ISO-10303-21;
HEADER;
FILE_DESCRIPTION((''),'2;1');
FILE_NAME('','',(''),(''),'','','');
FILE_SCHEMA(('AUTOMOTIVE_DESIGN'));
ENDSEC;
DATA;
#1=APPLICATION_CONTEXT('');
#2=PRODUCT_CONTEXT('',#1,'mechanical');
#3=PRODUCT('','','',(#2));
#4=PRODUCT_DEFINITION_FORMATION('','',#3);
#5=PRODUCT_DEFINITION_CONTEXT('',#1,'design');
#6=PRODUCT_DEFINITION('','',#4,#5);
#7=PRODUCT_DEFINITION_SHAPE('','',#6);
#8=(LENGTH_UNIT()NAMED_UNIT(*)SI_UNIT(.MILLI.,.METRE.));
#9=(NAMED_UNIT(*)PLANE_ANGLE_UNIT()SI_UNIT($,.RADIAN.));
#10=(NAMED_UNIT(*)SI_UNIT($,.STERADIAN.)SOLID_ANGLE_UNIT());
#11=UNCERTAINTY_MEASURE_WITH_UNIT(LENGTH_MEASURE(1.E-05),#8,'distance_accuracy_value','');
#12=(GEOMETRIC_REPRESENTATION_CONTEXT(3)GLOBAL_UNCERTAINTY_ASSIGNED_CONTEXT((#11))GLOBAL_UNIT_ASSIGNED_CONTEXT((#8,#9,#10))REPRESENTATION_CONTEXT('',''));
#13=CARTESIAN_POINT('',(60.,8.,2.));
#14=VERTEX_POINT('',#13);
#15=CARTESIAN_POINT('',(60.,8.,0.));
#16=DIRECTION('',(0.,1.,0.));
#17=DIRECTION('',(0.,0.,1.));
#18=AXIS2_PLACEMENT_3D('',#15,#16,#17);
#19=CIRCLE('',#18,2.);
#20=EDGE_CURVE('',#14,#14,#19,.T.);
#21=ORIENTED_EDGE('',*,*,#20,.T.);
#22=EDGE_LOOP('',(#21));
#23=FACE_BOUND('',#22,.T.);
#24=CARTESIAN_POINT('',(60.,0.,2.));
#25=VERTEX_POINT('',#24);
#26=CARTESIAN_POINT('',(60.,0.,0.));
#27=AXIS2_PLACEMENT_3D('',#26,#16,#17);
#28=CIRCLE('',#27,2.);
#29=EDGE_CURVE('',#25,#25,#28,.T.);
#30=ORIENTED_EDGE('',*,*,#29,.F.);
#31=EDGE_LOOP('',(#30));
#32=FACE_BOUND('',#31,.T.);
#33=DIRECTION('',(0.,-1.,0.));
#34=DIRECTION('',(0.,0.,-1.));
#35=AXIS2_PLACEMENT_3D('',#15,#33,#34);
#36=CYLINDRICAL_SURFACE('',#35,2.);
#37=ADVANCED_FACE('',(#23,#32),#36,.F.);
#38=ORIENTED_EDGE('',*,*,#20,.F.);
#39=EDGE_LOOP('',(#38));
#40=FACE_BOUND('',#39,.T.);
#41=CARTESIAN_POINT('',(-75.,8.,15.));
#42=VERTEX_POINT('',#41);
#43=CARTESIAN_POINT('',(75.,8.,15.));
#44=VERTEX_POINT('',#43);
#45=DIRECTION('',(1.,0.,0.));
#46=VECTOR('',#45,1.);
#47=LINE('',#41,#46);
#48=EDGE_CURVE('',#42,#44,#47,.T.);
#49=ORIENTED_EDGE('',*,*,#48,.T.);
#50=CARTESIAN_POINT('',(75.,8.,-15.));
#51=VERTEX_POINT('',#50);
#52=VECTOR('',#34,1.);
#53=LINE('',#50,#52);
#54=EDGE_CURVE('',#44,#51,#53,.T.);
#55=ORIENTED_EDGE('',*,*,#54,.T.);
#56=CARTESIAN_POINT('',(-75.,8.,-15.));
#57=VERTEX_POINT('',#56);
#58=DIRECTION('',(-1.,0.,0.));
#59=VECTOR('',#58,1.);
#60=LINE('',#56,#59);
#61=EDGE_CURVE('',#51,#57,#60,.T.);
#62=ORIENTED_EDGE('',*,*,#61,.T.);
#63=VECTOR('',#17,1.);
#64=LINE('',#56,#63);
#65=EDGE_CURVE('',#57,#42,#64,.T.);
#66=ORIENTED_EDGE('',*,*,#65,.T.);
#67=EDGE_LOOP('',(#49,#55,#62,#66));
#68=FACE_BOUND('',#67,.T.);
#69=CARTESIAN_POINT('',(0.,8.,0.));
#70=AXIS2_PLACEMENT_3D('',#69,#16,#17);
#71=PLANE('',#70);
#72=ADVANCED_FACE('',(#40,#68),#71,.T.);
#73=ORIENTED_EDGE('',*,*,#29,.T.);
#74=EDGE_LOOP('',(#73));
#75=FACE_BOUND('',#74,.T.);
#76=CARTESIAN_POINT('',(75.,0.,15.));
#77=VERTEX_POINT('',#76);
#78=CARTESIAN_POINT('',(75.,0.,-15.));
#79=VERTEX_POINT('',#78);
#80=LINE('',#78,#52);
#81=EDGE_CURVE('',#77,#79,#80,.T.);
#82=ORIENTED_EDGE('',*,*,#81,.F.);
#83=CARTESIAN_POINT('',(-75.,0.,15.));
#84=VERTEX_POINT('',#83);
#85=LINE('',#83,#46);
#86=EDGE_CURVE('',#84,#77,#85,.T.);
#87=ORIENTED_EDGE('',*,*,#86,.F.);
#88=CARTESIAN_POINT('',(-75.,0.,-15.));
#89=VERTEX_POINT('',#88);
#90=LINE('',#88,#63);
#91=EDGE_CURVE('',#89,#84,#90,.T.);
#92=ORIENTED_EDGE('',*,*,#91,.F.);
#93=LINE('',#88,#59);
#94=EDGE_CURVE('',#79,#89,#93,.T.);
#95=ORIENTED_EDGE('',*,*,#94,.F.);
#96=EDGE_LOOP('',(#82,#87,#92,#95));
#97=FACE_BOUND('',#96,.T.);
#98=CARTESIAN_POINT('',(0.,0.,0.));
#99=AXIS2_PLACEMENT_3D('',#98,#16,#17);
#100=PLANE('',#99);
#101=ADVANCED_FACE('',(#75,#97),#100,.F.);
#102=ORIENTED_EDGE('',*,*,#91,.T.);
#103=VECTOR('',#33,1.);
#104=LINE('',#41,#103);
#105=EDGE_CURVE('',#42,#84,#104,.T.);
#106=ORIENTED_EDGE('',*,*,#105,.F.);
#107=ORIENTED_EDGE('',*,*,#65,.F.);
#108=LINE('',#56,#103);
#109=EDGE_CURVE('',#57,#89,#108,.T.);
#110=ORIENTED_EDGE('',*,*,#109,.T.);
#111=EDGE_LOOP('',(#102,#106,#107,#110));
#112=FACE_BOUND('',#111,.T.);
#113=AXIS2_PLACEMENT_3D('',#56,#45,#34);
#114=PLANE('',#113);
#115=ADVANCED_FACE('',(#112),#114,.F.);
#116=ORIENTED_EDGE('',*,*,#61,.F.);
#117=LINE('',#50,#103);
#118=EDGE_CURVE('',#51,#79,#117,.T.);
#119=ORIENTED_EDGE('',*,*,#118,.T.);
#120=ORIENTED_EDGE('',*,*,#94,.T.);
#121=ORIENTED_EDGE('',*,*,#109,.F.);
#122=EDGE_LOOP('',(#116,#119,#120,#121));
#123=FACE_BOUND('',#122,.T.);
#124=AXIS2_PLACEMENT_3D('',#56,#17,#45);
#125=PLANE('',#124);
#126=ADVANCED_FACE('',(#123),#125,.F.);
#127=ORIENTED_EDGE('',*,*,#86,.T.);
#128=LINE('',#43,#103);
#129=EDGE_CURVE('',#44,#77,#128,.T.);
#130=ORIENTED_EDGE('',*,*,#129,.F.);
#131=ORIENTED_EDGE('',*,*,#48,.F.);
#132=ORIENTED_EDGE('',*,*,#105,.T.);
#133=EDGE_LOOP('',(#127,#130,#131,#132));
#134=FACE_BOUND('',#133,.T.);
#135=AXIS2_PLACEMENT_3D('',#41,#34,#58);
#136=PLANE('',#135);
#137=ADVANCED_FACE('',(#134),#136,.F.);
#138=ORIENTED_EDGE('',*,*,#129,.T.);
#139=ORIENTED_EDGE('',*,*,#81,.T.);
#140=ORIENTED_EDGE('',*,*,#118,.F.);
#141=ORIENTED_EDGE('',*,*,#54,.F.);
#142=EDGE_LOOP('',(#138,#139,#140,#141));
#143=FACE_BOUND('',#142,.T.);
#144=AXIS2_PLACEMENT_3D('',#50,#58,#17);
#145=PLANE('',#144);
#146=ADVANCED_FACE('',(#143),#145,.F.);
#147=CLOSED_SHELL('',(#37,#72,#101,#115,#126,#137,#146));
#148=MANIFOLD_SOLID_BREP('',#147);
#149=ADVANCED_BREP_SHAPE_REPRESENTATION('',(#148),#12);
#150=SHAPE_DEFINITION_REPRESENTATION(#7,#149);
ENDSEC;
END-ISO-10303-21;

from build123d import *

# Parameters (mm, degrees)
SKETCH1_W           = 150
SKETCH1_H           = 30
SKETCH1_R           = 2
BOSS_EXTRUDE1_DEPTH = 8


with BuildPart() as part:
    # Sketch1 → Boss-Extrude1 (new body)
    with BuildSketch(Plane(origin=(0, 0, 0), x_dir=(1, 0, 0), z_dir=(0, 1, 0))):
        Rectangle(SKETCH1_W, SKETCH1_H)
        with Locations(Location((60, 0, 0), (0, 0, 270))):
            Circle(SKETCH1_R, mode=Mode.SUBTRACT)
    extrude(amount=BOSS_EXTRUDE1_DEPTH)


solid = part.part
